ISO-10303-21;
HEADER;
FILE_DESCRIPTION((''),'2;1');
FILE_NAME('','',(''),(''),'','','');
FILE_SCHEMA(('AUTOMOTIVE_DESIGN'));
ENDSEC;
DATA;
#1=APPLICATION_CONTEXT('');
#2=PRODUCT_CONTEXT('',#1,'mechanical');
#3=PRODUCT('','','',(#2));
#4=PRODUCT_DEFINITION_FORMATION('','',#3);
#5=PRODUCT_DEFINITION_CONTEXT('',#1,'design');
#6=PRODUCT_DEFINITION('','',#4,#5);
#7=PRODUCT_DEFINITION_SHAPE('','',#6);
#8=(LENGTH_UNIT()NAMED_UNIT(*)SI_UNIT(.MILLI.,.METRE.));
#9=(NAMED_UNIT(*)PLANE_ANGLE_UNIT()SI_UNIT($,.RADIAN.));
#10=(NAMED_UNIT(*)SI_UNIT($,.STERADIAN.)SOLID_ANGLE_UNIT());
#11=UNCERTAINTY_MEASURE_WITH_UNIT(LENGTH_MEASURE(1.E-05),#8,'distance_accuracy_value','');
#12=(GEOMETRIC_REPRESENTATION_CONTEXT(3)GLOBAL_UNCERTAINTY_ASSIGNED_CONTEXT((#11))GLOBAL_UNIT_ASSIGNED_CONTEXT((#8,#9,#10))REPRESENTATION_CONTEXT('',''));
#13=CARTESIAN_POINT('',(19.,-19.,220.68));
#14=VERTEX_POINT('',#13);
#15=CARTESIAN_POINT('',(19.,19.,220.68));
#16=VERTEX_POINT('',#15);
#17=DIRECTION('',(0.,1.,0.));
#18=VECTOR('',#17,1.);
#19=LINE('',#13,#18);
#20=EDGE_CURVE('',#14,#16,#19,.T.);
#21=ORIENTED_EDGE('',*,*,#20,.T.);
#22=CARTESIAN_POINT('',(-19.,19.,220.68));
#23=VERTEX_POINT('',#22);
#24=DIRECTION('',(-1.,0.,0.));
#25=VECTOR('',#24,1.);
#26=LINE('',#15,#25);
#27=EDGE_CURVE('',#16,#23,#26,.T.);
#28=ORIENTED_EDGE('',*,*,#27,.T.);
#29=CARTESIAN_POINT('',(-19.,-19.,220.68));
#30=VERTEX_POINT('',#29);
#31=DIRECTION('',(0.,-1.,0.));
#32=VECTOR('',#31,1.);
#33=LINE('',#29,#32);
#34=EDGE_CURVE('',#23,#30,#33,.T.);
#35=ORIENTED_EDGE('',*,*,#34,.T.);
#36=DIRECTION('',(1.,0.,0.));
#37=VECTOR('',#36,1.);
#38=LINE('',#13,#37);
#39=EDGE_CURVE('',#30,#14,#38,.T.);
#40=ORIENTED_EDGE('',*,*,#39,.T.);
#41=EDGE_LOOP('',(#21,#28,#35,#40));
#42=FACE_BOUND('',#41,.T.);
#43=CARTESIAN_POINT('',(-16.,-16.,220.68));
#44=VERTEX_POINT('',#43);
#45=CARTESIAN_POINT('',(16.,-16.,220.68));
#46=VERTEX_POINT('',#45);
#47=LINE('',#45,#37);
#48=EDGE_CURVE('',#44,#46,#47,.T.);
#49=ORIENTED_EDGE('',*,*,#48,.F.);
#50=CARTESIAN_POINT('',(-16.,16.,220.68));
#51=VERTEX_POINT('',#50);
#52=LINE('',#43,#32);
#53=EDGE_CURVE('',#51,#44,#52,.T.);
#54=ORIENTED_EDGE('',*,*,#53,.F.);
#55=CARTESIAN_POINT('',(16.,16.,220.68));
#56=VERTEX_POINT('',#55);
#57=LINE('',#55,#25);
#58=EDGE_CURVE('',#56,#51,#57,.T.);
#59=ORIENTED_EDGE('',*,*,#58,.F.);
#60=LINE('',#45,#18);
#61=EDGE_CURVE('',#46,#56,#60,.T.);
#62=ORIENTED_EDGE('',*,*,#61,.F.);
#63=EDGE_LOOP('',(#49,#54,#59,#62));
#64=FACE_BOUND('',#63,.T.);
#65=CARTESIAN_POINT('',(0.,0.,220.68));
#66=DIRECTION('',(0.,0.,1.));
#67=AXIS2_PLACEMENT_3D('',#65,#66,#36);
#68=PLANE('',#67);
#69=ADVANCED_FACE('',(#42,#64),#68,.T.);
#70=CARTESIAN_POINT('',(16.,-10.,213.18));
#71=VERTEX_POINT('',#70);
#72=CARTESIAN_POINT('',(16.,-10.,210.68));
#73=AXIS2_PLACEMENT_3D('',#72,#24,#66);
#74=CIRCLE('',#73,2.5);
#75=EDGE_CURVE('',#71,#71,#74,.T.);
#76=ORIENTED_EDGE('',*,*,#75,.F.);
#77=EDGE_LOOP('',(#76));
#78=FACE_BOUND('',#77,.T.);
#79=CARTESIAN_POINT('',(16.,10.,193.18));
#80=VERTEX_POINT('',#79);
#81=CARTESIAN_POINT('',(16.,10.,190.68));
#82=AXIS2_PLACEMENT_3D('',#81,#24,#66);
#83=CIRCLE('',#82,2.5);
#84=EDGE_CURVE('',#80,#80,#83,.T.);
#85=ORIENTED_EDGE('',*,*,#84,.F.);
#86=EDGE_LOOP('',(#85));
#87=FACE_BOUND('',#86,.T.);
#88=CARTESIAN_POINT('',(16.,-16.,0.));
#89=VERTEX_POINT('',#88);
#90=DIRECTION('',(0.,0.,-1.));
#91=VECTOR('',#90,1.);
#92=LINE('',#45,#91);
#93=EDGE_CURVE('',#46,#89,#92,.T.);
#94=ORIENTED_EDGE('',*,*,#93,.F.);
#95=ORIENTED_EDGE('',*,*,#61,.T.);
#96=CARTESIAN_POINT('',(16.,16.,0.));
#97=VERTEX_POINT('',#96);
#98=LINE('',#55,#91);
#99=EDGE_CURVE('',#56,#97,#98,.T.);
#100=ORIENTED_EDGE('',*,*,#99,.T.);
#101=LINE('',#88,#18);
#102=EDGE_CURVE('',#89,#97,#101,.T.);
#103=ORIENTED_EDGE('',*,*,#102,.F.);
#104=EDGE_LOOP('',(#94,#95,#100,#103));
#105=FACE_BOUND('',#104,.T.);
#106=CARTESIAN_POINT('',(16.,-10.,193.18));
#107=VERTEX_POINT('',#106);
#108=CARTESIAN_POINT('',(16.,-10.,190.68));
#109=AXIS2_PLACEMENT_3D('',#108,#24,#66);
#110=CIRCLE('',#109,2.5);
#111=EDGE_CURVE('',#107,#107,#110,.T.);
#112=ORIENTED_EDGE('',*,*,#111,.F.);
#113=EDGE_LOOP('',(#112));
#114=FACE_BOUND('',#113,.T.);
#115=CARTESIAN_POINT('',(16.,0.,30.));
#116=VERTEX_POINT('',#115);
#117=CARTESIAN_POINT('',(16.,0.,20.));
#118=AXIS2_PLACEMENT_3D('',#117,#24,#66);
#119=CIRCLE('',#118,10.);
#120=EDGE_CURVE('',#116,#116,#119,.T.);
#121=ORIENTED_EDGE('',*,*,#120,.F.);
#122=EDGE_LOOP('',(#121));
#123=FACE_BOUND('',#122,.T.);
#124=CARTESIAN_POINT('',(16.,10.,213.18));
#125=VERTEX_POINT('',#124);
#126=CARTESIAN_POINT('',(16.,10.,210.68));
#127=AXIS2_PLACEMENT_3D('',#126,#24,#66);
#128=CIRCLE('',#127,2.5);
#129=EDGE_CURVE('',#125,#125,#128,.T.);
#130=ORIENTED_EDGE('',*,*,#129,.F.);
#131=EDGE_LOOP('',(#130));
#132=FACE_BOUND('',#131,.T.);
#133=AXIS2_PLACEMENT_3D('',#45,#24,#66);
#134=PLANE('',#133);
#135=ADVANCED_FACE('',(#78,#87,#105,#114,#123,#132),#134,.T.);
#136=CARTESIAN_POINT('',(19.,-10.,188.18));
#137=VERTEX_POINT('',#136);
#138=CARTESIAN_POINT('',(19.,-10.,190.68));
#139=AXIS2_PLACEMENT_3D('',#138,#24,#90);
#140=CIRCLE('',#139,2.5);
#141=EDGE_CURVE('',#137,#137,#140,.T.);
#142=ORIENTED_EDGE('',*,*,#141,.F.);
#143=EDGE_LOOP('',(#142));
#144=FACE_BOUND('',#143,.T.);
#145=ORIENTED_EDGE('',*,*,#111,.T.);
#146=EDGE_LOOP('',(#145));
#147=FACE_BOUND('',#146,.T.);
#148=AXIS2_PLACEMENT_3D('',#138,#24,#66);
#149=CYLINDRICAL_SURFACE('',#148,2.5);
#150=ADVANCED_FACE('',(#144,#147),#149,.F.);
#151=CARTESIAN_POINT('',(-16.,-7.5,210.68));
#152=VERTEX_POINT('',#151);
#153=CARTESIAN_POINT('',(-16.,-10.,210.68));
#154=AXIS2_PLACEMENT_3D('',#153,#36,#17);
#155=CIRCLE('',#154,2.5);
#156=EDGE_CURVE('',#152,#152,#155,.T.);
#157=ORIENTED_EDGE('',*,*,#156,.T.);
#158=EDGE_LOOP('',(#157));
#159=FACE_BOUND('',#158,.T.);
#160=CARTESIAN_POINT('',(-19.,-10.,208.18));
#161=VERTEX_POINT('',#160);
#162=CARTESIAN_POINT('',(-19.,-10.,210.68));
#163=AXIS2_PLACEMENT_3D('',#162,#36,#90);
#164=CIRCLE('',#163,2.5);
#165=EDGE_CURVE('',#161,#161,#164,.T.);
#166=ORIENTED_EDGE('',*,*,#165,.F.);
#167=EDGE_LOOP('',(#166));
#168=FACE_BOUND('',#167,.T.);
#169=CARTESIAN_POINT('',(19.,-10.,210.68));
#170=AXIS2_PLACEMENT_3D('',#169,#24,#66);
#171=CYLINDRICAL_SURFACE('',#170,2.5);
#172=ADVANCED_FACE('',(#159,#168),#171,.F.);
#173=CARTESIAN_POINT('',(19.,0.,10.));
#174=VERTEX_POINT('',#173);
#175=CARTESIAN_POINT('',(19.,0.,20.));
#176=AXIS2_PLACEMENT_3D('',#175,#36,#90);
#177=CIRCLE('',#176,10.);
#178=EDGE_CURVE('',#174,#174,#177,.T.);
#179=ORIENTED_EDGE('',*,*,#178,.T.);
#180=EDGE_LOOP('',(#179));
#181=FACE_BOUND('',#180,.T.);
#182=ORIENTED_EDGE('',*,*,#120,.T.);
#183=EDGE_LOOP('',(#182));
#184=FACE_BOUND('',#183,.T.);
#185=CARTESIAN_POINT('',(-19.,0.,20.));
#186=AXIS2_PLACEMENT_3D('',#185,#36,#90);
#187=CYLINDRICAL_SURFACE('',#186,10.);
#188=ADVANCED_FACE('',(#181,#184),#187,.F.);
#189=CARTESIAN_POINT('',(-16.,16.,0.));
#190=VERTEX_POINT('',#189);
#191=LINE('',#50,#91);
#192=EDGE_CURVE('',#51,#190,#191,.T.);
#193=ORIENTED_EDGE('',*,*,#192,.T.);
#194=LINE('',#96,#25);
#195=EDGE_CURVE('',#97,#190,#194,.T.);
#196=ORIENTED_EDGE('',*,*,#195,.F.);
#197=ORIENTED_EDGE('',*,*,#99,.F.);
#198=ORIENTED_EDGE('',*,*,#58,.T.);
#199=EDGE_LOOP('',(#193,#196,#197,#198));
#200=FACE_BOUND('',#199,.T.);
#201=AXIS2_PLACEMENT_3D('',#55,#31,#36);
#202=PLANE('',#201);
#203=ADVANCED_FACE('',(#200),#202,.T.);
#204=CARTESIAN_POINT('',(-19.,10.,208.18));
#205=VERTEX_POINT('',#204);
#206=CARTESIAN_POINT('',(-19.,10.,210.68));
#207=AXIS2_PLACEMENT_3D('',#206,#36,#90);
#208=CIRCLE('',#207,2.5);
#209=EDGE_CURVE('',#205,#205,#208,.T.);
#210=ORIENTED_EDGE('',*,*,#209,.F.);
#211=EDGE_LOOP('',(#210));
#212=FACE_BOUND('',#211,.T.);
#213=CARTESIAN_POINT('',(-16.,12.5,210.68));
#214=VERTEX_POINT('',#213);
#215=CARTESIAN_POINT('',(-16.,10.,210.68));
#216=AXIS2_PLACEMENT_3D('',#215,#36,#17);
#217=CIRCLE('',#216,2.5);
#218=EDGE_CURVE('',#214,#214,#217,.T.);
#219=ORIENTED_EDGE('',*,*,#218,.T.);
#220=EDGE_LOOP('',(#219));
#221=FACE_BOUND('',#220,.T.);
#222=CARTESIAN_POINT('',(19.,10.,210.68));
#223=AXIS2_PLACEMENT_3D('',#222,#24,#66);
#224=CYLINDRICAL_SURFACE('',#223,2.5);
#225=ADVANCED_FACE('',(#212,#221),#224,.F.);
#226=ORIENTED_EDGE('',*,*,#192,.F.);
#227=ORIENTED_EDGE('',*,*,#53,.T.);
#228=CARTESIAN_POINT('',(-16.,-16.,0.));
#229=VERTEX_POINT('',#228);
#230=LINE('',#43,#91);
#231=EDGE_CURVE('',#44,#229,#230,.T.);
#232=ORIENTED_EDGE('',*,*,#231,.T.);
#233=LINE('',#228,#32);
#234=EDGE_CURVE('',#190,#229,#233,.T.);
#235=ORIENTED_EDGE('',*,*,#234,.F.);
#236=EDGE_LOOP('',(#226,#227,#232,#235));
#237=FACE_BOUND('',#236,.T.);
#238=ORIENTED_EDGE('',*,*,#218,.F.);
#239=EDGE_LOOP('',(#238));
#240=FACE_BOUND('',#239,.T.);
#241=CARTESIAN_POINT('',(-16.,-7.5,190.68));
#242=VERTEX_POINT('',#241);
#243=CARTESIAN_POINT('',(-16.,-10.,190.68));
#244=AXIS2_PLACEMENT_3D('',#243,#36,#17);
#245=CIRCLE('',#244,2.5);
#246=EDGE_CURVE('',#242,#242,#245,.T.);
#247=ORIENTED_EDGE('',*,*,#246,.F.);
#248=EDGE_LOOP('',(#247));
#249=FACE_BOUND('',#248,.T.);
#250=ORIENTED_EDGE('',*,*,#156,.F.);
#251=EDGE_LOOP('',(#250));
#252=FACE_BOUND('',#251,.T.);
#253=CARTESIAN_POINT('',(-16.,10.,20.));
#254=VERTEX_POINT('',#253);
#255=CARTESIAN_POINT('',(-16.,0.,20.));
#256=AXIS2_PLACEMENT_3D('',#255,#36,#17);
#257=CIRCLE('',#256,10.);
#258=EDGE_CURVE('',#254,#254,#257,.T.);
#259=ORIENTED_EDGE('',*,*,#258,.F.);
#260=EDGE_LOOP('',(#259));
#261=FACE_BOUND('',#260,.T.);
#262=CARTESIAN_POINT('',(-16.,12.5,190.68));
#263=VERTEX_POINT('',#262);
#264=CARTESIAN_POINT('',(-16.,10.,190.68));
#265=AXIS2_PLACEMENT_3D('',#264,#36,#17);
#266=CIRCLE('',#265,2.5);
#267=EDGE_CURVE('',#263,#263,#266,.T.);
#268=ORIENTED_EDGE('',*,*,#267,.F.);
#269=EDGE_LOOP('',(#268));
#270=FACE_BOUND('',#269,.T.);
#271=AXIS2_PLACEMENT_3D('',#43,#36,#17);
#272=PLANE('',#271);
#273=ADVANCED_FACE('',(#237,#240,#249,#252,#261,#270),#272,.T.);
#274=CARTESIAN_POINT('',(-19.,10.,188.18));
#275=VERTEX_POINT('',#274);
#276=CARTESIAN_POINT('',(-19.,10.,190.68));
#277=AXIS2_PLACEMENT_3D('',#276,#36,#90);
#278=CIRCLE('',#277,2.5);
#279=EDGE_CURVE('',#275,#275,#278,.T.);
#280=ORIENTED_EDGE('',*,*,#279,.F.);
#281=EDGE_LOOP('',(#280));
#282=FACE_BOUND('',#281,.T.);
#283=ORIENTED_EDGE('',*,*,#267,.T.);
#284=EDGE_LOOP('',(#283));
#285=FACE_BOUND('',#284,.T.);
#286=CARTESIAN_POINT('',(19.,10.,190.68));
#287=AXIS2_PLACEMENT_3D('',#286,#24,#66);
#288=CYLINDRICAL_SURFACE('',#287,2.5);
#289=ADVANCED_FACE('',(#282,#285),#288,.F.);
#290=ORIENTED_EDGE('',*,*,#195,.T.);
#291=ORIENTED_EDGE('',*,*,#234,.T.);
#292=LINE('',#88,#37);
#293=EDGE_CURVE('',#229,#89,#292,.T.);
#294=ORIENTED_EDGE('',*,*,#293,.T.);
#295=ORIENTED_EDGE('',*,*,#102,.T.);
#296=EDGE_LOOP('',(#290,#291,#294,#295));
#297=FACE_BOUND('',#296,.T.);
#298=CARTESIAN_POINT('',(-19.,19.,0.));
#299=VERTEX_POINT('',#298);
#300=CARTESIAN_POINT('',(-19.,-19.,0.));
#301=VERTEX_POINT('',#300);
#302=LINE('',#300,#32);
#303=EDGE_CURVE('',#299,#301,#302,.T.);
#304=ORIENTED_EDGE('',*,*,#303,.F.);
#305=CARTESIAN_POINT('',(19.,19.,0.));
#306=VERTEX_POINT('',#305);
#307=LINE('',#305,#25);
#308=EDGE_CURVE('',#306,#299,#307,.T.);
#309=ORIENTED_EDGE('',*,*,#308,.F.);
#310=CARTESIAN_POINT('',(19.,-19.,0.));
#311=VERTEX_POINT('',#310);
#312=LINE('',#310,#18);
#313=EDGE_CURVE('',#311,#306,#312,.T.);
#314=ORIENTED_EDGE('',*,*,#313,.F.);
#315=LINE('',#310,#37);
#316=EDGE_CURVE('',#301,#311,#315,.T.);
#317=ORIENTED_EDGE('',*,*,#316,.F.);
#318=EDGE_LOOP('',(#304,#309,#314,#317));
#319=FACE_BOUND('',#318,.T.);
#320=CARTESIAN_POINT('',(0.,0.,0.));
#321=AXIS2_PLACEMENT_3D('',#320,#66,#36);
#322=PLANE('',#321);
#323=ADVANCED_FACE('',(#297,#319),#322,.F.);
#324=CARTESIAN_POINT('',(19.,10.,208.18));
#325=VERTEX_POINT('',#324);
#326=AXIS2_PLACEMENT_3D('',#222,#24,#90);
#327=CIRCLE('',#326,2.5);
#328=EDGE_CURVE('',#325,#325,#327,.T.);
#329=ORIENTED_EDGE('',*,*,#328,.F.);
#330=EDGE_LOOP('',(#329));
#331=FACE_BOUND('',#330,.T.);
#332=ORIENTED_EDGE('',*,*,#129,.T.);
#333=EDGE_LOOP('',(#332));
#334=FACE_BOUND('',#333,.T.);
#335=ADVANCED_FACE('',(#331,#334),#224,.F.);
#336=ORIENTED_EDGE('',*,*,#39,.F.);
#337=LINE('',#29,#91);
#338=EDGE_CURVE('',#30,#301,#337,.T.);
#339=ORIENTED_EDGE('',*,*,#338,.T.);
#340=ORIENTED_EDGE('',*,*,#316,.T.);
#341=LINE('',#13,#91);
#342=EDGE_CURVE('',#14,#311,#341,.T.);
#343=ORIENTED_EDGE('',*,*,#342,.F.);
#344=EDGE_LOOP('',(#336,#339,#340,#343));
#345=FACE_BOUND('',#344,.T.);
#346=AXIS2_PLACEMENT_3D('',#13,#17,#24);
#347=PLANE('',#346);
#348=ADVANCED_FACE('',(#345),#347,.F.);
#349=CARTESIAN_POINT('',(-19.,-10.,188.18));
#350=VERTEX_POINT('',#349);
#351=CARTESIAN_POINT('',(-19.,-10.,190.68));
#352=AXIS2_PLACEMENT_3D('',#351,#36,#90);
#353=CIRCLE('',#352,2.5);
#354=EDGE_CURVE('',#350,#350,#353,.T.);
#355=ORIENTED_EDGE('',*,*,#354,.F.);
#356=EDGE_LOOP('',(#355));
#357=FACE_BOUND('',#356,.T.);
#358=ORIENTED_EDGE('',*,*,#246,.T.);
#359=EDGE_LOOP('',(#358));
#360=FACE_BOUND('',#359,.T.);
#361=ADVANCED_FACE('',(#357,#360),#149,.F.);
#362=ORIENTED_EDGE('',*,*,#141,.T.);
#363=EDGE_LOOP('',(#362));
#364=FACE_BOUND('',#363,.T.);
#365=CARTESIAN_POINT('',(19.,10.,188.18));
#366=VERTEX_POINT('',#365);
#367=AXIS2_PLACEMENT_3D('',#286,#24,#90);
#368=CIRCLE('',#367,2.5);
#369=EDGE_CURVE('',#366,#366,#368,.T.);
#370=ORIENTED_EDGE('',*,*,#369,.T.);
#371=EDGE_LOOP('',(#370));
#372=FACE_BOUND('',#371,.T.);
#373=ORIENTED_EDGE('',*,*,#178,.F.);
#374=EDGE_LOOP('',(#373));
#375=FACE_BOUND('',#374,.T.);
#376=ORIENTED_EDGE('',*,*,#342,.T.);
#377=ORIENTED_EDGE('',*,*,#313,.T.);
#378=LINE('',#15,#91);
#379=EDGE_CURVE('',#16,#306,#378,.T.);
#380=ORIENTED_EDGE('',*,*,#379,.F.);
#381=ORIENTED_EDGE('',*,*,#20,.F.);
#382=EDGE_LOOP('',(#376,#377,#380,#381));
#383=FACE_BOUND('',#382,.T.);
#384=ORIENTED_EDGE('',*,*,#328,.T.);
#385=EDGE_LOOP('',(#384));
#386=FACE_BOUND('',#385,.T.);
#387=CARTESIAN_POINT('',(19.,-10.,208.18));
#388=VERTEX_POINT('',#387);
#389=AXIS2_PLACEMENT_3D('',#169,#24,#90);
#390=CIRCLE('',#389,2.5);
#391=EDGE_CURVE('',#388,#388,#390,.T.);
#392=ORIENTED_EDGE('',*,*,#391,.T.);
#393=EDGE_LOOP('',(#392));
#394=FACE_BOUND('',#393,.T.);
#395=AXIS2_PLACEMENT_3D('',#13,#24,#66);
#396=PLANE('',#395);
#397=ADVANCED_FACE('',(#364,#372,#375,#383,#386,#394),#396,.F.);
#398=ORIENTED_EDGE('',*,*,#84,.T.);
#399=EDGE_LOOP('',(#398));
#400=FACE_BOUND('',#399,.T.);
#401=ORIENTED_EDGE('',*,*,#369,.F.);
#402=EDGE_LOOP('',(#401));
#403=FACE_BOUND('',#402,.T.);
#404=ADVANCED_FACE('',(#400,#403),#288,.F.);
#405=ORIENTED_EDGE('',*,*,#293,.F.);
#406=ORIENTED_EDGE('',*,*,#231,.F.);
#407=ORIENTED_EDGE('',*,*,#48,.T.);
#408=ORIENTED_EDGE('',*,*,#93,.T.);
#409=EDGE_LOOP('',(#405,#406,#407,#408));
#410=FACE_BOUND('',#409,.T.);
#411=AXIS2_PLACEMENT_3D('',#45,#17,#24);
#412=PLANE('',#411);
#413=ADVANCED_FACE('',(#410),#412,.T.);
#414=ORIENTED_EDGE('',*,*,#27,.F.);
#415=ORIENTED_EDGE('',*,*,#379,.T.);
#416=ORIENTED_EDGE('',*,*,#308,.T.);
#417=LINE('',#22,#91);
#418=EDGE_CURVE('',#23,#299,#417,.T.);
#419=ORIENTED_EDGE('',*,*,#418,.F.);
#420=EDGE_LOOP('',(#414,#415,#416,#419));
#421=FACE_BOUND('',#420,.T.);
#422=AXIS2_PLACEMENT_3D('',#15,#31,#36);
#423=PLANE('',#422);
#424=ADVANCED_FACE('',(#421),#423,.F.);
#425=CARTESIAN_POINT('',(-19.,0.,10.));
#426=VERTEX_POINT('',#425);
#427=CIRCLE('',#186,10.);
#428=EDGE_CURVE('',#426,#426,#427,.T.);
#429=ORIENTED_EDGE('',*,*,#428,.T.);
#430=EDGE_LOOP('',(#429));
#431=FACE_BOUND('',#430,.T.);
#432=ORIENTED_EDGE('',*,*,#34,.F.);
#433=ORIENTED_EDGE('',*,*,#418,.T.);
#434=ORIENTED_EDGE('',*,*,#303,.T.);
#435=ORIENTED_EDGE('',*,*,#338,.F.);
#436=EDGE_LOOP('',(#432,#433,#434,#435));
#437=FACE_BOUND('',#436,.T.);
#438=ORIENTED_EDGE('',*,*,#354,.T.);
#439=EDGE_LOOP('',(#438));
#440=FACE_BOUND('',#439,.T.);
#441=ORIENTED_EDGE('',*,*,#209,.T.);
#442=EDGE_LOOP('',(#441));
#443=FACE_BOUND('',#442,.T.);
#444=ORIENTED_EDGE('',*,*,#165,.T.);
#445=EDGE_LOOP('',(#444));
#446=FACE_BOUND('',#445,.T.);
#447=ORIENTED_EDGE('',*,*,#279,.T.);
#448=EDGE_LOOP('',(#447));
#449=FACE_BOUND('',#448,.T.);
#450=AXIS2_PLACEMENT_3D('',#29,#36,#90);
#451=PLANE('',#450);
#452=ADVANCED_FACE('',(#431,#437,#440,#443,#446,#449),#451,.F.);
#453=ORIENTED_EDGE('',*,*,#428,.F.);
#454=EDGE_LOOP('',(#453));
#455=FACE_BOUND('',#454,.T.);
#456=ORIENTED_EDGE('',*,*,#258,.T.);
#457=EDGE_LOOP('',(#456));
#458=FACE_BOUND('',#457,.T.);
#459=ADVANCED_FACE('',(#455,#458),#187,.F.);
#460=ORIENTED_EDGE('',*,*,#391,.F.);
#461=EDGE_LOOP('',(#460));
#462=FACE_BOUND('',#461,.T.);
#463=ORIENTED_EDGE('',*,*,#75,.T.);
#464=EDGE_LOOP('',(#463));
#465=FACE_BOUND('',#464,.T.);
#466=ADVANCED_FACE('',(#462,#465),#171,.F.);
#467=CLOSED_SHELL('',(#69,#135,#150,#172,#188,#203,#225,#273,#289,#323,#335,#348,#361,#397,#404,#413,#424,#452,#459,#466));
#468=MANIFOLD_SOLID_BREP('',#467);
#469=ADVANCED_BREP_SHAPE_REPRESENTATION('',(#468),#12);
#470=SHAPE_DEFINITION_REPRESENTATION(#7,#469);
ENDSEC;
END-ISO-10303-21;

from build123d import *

# Parameters (mm, degrees)
SKETCH1_W               = 38
SKETCH1_H               = 38
SKETCH1_W_2             = 32
SKETCH1_H_2             = 32
BOSS_EXTRUDE1_DEPTH     = 220.68
SKETCH2_R               = 2.5
CUT_EXTRUDE1_DEPTH      = 1
CUT_EXTRUDE1_DEPTH_BACK = 39
SKETCH3_R               = 10
CUT_EXTRUDE2_DEPTH      = 39


with BuildPart() as part:
    # Sketch1 → Boss-Extrude1 (new body)
    with BuildSketch(Plane.XY):
        Rectangle(SKETCH1_W, SKETCH1_H)
        Rectangle(SKETCH1_W_2, SKETCH1_H_2, mode=Mode.SUBTRACT)
    extrude(amount=BOSS_EXTRUDE1_DEPTH)

    # Sketch2 → Cut-Extrude1 (cut, two sides)
    with BuildSketch(Plane.ZY.offset(19)) as cut_extrude1_sk:
        with Locations((190.68, -10)):
            Circle(SKETCH2_R)
        with Locations((210.68, -10)):
            Circle(SKETCH2_R)
        with Locations((190.68, 10)):
            Circle(SKETCH2_R)
        with Locations((210.68, 10)):
            Circle(SKETCH2_R)
    extrude(amount=CUT_EXTRUDE1_DEPTH, mode=Mode.SUBTRACT)
    extrude(cut_extrude1_sk.sketch, amount=-CUT_EXTRUDE1_DEPTH_BACK, mode=Mode.SUBTRACT)

    # Sketch3 → Cut-Extrude2 (cut, through all)
    with BuildSketch(Plane(origin=(19, 0, 0), x_dir=(0, 0, -1), z_dir=(1, 0, 0))):
        with Locations((-20, 0)):
            Circle(SKETCH3_R)
    extrude(amount=-CUT_EXTRUDE2_DEPTH, mode=Mode.SUBTRACT)


solid = part.part
